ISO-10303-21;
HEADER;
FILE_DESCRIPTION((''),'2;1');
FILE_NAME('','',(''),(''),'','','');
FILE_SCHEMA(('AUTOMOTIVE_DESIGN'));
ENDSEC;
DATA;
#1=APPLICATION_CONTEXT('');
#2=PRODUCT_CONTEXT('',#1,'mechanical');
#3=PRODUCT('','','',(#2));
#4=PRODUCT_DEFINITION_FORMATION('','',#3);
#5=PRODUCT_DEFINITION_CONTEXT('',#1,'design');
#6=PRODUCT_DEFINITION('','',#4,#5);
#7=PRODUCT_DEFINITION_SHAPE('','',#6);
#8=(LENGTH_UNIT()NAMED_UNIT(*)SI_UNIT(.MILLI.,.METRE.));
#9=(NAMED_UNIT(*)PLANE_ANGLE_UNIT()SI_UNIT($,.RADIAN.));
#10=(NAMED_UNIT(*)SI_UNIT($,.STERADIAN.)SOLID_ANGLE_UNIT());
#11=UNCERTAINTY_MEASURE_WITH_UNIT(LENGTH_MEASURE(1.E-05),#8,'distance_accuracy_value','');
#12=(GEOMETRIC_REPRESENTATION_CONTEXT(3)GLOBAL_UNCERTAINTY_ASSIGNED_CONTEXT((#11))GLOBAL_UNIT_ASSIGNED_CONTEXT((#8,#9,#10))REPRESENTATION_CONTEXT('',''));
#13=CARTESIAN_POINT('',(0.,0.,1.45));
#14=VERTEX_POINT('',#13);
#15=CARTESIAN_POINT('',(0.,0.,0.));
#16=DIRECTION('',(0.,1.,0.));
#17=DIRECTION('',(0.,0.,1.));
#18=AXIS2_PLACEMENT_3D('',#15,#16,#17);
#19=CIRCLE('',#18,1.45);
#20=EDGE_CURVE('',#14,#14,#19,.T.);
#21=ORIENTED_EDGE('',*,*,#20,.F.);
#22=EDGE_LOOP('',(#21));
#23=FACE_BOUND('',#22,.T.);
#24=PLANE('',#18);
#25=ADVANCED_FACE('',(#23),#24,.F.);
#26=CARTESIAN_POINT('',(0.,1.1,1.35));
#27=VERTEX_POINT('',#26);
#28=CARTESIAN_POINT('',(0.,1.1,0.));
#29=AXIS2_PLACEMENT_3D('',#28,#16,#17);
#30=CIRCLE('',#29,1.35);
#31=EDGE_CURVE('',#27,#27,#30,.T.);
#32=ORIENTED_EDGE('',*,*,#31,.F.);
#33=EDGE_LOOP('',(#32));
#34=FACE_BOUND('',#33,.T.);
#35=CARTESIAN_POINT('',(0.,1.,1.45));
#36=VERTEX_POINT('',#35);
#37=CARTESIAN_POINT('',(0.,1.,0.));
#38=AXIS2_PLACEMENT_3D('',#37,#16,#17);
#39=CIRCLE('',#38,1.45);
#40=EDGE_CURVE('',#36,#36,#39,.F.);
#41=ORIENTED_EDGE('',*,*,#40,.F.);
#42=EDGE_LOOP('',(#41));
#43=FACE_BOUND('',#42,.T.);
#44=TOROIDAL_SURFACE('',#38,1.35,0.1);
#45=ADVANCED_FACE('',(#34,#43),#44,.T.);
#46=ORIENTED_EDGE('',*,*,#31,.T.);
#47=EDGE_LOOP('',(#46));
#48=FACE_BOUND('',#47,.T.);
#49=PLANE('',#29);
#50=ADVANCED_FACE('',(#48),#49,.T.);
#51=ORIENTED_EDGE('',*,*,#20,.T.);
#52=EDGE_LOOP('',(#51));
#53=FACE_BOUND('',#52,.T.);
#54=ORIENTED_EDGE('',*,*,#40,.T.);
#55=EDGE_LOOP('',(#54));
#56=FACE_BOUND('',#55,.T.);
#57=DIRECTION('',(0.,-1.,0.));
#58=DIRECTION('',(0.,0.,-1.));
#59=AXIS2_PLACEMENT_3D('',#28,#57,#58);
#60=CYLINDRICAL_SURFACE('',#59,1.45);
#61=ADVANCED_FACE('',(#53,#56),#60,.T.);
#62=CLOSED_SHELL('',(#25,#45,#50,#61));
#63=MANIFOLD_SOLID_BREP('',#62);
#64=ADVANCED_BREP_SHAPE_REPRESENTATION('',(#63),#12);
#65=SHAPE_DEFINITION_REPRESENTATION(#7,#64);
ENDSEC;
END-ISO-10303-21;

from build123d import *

# Parameters (mm, degrees)
SKETCH1_R           = 1.45
BOSS_EXTRUDE1_DEPTH = 1.1
FILLET1_R           = 0.1


with BuildPart() as part:
    # Sketch1 → Boss-Extrude1 (new body)
    with BuildSketch(Plane(origin=(0, 0, 0), x_dir=(1, 0, 0), z_dir=(0, 1, 0))):
        Circle(SKETCH1_R)
    extrude(amount=BOSS_EXTRUDE1_DEPTH)

    # Fillet1
    fillet1_edges = [part.edges().sort_by_distance(p)[0] for p in [
        (-1.45, 1.1, 0),
    ]]
    fillet(fillet1_edges, radius=FILLET1_R)


solid = part.part
